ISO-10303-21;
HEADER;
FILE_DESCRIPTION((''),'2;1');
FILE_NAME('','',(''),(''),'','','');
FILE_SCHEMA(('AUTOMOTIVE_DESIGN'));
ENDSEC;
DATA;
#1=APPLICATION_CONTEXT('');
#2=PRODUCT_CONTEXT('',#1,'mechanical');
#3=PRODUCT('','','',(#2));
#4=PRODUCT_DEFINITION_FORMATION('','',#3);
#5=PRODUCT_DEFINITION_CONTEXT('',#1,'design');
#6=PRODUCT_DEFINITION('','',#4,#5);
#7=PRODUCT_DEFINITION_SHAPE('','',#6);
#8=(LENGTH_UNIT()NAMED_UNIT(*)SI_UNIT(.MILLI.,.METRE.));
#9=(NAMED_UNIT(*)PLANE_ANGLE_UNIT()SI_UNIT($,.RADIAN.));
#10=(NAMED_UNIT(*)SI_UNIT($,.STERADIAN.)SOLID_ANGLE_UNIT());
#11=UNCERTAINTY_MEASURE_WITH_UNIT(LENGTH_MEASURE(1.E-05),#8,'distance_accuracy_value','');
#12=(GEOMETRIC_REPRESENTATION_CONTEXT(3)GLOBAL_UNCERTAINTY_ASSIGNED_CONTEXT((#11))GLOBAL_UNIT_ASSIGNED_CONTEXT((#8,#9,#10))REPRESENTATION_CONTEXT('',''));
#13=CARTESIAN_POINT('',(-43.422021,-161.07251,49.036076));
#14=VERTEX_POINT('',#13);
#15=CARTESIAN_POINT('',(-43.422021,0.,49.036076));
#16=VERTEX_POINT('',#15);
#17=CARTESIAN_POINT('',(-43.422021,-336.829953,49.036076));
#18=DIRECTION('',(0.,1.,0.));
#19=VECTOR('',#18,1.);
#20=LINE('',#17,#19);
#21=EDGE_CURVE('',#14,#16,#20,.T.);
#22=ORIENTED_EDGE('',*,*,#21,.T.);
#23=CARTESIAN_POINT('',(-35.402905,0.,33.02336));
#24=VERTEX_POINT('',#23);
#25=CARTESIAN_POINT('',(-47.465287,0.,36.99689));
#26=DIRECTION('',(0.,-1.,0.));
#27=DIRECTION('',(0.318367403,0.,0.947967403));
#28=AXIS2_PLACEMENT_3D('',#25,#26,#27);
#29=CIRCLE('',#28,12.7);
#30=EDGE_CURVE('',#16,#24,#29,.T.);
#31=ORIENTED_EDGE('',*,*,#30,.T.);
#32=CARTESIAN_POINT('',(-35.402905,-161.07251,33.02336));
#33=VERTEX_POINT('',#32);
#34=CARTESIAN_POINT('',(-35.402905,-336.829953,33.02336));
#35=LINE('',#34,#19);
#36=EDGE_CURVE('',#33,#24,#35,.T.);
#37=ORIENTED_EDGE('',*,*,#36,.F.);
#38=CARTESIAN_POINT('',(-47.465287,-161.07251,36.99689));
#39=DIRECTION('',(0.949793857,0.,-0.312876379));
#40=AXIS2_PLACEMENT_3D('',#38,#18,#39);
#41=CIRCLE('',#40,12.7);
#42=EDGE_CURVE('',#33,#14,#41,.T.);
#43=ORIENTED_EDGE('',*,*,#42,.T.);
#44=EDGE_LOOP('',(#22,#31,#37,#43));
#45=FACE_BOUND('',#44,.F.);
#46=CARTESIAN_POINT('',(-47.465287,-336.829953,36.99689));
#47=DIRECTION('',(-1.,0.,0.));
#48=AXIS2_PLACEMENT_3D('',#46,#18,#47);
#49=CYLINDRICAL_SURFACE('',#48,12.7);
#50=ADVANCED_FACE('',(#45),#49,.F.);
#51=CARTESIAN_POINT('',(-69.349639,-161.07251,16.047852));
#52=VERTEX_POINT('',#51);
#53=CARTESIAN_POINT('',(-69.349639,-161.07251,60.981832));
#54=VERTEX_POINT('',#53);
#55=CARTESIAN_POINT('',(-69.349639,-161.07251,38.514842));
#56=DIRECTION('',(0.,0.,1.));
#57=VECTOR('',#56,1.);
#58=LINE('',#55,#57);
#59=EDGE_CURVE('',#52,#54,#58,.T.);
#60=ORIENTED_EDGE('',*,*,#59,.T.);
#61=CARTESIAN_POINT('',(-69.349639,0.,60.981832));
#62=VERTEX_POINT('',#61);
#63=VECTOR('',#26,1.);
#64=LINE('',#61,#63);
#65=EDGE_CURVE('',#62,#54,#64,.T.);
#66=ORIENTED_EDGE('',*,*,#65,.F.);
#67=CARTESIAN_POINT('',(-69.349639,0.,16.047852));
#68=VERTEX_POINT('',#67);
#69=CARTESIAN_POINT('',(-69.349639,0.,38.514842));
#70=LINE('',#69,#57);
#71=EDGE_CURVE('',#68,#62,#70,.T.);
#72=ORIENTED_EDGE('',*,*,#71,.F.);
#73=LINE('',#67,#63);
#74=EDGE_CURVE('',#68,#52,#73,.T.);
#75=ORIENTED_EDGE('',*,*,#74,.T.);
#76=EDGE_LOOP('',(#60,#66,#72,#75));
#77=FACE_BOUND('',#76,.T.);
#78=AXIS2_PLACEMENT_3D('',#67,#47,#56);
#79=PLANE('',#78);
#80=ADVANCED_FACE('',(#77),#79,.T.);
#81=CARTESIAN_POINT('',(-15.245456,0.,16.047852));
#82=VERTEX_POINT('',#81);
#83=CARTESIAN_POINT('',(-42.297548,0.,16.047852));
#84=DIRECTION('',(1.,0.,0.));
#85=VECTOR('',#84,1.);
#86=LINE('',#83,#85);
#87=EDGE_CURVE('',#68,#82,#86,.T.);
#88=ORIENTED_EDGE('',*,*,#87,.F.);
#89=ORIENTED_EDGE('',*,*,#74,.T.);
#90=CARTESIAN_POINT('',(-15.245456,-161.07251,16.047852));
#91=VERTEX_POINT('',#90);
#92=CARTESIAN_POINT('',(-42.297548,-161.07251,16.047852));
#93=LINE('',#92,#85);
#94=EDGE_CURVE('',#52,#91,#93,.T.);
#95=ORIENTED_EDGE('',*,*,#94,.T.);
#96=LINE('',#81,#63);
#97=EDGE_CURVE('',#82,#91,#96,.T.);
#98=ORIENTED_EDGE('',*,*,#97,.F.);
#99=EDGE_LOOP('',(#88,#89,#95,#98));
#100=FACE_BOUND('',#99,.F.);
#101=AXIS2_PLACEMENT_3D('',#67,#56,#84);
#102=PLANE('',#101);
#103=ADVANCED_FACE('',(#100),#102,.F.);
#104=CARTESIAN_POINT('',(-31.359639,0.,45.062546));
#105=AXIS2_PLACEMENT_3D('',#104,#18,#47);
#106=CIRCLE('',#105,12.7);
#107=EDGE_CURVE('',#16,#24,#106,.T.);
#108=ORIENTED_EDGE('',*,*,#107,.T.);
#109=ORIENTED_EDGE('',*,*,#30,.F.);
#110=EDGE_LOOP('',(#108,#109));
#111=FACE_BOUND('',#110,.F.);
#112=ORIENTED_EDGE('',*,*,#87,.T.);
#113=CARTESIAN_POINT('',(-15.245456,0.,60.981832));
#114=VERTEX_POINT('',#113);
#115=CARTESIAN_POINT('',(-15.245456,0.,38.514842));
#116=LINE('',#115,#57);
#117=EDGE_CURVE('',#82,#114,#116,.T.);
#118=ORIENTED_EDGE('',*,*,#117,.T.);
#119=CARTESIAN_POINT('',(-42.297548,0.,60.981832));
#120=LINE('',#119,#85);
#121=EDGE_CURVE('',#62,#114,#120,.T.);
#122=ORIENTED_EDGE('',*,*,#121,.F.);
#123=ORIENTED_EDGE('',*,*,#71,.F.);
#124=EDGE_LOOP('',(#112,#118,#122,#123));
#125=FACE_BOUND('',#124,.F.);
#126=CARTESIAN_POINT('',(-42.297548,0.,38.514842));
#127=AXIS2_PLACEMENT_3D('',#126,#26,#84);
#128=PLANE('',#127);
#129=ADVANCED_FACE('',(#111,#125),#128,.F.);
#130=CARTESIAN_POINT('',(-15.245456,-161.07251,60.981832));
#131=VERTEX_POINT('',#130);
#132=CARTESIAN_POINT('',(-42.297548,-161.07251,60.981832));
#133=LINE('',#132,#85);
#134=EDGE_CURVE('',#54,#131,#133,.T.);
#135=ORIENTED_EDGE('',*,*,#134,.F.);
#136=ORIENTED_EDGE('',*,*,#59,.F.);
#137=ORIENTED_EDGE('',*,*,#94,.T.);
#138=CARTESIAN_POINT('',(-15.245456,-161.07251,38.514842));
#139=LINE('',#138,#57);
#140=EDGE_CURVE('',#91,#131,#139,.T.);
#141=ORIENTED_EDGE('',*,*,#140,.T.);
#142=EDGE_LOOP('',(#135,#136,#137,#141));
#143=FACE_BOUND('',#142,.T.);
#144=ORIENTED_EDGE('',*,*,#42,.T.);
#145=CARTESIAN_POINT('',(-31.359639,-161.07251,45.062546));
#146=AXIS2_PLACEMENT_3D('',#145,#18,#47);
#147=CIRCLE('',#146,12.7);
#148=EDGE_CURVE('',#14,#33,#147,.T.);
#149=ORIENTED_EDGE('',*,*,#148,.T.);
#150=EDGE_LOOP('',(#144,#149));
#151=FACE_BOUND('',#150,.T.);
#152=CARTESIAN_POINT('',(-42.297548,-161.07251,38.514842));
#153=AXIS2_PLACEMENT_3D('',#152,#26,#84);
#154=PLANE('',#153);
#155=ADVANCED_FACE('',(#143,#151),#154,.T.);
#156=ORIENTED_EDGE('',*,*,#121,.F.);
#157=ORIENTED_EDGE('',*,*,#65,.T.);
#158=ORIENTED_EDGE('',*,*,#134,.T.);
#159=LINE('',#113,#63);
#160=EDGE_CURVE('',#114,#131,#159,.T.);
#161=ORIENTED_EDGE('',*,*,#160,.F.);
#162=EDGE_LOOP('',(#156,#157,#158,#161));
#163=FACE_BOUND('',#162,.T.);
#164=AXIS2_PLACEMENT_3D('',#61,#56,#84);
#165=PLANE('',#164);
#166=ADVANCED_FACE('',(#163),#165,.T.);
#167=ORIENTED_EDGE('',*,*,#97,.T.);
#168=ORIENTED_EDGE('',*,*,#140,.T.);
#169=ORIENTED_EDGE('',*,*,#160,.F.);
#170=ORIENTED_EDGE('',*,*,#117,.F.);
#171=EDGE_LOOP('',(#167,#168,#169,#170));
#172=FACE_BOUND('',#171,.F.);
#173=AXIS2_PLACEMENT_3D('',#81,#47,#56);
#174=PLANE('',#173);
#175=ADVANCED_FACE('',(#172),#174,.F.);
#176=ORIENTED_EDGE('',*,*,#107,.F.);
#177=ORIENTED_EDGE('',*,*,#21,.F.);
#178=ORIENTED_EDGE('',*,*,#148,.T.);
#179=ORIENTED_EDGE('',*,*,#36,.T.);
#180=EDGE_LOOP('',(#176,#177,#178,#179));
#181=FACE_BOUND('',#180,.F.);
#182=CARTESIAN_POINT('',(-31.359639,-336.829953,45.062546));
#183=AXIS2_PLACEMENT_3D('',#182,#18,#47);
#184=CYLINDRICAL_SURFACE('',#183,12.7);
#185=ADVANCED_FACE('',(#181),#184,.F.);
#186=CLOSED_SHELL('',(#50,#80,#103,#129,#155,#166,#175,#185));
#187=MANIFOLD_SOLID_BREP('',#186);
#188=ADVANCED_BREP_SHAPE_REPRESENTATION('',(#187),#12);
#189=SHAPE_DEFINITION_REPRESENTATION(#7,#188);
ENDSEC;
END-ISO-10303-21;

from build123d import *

# Parameters (mm, degrees)
F0_W     = 54.104183
F0_H     = 44.93398
F1_DEPTH = 161.07251
F4_D     = 25.4
F5_D     = 25.4


with BuildPart() as f1:
    # F0 (on Front) → F1 (new body)
    with BuildSketch(Plane.XZ):
        with Locations((-42.297548, 38.514842)):
            Rectangle(F0_W, F0_H)
    extrude(amount=F1_DEPTH)

    # F4 (through all)
    with Locations(Plane.XZ.offset(161.07251)):
        with Locations((-47.465287, 36.99689)):
            Hole(F4_D / 2)

    # F5 (through all)
    with Locations(Plane.XZ.offset(161.07251)):
        with Locations((-31.359639, 45.062546)):
            Hole(F5_D / 2)


solid = f1.part
